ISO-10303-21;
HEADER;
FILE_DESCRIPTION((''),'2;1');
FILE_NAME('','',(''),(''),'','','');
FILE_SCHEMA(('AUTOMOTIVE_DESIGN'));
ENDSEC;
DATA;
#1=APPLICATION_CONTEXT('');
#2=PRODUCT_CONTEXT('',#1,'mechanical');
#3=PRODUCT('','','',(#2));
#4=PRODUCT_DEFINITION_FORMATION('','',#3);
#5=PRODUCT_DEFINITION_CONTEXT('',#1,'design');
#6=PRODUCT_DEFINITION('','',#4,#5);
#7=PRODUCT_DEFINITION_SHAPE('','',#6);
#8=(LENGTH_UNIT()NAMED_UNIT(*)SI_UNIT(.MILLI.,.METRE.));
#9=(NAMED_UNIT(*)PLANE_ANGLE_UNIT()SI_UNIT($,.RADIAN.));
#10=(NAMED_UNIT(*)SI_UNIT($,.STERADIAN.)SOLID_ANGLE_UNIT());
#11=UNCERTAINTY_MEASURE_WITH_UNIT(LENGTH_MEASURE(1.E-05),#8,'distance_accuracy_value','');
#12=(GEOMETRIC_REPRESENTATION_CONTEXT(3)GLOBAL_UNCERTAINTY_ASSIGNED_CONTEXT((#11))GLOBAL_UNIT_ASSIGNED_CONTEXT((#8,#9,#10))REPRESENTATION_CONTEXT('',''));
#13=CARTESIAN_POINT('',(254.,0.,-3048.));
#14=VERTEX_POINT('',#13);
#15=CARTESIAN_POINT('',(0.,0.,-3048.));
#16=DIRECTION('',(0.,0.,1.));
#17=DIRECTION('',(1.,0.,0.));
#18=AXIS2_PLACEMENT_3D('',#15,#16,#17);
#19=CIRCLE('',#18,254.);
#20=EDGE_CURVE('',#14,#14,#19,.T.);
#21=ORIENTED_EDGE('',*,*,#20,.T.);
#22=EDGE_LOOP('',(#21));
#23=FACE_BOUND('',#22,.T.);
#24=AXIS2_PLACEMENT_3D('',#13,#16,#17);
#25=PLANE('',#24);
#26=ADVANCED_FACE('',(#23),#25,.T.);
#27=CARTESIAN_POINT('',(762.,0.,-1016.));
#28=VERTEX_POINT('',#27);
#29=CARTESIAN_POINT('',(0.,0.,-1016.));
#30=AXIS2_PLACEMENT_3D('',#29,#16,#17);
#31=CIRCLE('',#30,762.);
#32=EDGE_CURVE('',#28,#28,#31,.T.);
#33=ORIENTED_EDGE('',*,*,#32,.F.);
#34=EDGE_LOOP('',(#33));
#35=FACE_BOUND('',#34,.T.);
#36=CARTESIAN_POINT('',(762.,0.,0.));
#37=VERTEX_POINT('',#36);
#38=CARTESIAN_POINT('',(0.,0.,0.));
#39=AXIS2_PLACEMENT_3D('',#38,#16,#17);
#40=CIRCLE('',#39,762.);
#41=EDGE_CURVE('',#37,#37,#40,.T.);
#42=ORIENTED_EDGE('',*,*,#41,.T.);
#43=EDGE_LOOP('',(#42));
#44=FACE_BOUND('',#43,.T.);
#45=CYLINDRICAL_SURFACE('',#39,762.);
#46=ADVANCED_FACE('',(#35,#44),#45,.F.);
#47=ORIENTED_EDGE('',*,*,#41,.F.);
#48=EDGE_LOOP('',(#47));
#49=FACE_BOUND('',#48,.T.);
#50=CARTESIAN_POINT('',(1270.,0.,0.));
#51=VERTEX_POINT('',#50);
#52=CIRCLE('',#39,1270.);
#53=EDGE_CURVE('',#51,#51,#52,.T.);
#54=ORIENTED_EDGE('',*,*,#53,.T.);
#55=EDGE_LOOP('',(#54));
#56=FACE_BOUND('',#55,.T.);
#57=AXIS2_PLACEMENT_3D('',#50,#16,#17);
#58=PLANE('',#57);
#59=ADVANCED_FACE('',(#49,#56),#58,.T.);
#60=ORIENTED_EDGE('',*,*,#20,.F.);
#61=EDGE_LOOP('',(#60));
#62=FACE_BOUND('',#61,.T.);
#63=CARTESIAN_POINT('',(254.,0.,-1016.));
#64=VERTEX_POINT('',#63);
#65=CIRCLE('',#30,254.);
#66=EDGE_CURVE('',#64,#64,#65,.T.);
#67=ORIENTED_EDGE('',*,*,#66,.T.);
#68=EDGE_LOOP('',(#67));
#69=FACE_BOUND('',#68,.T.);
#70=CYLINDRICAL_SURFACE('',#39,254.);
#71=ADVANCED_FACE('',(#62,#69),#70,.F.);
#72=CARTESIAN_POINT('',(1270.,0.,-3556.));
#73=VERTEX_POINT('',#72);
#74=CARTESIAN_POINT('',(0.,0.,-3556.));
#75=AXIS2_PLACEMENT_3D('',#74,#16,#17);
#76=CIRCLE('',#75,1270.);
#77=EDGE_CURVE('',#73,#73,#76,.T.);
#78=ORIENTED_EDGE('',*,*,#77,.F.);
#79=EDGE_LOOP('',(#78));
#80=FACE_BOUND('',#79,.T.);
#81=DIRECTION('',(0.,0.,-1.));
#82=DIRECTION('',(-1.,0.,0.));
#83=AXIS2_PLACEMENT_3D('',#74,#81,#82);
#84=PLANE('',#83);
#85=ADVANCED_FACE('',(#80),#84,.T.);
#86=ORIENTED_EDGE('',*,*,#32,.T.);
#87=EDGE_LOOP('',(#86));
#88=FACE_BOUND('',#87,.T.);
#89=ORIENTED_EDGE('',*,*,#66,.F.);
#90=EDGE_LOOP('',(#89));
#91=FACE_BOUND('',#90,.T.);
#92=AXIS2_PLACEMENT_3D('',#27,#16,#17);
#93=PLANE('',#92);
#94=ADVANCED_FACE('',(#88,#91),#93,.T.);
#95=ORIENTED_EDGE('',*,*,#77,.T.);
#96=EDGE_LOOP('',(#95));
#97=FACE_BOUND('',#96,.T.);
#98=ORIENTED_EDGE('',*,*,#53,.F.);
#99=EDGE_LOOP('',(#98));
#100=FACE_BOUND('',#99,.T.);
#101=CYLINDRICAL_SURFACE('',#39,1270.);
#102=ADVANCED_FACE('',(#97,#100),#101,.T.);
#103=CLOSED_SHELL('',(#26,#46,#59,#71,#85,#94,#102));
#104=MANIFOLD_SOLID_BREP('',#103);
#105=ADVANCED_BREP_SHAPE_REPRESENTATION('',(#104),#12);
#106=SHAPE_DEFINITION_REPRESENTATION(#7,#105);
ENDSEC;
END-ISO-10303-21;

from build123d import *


with BuildPart() as part:
    # Sketch1 → Revolve1 (revolve)
    with BuildSketch(Plane(origin=(0, 0, 0), x_dir=(1, 0, 0), z_dir=(0, 1, 0))):
        Polygon((0, 3556), (1270, 3556), (1270, 0), (762, 0), (762, 1016), (254, 1016), (254, 3048), (0, 3048), align=None)
    revolve(axis=Axis((0, 0, 0), (0, 0, -1)))


solid = part.part
